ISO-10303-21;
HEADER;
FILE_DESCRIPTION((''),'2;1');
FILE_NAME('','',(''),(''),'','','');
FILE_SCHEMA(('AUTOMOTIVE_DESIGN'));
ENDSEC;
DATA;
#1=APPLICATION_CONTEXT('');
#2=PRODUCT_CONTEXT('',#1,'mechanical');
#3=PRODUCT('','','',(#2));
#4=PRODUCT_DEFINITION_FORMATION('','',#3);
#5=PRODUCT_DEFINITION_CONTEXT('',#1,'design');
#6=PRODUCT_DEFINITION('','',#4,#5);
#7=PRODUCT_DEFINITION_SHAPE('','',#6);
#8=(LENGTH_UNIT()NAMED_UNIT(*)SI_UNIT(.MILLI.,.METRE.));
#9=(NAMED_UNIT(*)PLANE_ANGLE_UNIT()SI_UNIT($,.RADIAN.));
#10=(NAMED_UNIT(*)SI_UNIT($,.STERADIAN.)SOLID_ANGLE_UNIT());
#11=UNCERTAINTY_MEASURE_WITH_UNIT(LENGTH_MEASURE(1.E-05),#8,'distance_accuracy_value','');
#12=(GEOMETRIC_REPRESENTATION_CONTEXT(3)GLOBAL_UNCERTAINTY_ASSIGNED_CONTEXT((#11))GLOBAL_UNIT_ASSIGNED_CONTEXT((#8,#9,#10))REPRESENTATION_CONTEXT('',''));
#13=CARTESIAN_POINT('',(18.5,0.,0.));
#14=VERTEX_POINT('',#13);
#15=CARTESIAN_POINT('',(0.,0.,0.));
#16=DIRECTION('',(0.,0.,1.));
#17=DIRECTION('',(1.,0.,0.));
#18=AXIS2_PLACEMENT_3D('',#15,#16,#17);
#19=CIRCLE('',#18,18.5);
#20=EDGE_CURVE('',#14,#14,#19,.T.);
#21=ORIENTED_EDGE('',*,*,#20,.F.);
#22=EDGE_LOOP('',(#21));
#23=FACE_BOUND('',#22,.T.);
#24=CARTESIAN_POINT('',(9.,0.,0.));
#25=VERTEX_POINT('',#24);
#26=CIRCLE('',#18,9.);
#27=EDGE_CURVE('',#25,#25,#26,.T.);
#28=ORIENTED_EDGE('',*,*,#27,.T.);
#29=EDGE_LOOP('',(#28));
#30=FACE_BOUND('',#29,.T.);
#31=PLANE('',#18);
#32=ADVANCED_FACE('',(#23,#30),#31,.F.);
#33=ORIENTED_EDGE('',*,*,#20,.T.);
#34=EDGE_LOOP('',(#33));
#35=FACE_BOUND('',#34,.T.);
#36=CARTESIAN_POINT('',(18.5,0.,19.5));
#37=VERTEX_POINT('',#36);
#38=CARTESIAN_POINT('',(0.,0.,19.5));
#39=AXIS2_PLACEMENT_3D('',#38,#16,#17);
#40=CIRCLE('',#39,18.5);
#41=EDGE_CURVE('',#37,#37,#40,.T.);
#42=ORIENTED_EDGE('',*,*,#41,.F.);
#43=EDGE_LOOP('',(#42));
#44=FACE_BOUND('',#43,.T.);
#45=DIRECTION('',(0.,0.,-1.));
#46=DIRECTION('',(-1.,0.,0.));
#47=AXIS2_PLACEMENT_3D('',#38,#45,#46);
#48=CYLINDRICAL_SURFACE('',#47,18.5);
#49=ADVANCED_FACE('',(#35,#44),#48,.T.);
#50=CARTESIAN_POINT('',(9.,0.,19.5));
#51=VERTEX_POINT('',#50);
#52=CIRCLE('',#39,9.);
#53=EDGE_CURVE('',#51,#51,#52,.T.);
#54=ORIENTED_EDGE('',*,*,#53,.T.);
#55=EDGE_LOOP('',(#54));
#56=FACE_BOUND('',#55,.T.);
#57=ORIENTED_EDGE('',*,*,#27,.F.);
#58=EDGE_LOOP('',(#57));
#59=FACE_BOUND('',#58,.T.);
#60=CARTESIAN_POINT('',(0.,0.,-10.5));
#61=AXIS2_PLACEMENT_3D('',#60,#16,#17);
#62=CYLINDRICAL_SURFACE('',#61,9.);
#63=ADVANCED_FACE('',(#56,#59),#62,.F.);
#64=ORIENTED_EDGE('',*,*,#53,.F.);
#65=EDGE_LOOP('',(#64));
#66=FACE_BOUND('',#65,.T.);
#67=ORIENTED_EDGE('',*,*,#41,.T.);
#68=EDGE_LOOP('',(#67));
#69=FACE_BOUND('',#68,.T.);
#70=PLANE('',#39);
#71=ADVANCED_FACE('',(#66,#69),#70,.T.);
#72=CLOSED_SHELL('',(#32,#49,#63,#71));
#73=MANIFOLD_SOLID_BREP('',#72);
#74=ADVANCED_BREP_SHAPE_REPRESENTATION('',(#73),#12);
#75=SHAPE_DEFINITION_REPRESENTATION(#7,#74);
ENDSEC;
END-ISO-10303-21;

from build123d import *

# Parameters (mm, degrees)
SKETCH_1_R          = 18.5
EXTRUDE_1_DEPTH     = 19.5
SKETCH_2_R          = 9
CUT_EXTRUDE_2_DEPTH = 30


with BuildPart() as part:
    # 草图1 → 拉伸1 (new body)
    with BuildSketch(Plane.XY):
        Circle(SKETCH_1_R)
    extrude(amount=EXTRUDE_1_DEPTH)

    # 草图2 → 切除-拉伸2 (cut)
    with BuildSketch(Plane.XY.offset(19.5)):
        Circle(SKETCH_2_R)
    extrude(amount=-CUT_EXTRUDE_2_DEPTH, mode=Mode.SUBTRACT)


solid = part.part
